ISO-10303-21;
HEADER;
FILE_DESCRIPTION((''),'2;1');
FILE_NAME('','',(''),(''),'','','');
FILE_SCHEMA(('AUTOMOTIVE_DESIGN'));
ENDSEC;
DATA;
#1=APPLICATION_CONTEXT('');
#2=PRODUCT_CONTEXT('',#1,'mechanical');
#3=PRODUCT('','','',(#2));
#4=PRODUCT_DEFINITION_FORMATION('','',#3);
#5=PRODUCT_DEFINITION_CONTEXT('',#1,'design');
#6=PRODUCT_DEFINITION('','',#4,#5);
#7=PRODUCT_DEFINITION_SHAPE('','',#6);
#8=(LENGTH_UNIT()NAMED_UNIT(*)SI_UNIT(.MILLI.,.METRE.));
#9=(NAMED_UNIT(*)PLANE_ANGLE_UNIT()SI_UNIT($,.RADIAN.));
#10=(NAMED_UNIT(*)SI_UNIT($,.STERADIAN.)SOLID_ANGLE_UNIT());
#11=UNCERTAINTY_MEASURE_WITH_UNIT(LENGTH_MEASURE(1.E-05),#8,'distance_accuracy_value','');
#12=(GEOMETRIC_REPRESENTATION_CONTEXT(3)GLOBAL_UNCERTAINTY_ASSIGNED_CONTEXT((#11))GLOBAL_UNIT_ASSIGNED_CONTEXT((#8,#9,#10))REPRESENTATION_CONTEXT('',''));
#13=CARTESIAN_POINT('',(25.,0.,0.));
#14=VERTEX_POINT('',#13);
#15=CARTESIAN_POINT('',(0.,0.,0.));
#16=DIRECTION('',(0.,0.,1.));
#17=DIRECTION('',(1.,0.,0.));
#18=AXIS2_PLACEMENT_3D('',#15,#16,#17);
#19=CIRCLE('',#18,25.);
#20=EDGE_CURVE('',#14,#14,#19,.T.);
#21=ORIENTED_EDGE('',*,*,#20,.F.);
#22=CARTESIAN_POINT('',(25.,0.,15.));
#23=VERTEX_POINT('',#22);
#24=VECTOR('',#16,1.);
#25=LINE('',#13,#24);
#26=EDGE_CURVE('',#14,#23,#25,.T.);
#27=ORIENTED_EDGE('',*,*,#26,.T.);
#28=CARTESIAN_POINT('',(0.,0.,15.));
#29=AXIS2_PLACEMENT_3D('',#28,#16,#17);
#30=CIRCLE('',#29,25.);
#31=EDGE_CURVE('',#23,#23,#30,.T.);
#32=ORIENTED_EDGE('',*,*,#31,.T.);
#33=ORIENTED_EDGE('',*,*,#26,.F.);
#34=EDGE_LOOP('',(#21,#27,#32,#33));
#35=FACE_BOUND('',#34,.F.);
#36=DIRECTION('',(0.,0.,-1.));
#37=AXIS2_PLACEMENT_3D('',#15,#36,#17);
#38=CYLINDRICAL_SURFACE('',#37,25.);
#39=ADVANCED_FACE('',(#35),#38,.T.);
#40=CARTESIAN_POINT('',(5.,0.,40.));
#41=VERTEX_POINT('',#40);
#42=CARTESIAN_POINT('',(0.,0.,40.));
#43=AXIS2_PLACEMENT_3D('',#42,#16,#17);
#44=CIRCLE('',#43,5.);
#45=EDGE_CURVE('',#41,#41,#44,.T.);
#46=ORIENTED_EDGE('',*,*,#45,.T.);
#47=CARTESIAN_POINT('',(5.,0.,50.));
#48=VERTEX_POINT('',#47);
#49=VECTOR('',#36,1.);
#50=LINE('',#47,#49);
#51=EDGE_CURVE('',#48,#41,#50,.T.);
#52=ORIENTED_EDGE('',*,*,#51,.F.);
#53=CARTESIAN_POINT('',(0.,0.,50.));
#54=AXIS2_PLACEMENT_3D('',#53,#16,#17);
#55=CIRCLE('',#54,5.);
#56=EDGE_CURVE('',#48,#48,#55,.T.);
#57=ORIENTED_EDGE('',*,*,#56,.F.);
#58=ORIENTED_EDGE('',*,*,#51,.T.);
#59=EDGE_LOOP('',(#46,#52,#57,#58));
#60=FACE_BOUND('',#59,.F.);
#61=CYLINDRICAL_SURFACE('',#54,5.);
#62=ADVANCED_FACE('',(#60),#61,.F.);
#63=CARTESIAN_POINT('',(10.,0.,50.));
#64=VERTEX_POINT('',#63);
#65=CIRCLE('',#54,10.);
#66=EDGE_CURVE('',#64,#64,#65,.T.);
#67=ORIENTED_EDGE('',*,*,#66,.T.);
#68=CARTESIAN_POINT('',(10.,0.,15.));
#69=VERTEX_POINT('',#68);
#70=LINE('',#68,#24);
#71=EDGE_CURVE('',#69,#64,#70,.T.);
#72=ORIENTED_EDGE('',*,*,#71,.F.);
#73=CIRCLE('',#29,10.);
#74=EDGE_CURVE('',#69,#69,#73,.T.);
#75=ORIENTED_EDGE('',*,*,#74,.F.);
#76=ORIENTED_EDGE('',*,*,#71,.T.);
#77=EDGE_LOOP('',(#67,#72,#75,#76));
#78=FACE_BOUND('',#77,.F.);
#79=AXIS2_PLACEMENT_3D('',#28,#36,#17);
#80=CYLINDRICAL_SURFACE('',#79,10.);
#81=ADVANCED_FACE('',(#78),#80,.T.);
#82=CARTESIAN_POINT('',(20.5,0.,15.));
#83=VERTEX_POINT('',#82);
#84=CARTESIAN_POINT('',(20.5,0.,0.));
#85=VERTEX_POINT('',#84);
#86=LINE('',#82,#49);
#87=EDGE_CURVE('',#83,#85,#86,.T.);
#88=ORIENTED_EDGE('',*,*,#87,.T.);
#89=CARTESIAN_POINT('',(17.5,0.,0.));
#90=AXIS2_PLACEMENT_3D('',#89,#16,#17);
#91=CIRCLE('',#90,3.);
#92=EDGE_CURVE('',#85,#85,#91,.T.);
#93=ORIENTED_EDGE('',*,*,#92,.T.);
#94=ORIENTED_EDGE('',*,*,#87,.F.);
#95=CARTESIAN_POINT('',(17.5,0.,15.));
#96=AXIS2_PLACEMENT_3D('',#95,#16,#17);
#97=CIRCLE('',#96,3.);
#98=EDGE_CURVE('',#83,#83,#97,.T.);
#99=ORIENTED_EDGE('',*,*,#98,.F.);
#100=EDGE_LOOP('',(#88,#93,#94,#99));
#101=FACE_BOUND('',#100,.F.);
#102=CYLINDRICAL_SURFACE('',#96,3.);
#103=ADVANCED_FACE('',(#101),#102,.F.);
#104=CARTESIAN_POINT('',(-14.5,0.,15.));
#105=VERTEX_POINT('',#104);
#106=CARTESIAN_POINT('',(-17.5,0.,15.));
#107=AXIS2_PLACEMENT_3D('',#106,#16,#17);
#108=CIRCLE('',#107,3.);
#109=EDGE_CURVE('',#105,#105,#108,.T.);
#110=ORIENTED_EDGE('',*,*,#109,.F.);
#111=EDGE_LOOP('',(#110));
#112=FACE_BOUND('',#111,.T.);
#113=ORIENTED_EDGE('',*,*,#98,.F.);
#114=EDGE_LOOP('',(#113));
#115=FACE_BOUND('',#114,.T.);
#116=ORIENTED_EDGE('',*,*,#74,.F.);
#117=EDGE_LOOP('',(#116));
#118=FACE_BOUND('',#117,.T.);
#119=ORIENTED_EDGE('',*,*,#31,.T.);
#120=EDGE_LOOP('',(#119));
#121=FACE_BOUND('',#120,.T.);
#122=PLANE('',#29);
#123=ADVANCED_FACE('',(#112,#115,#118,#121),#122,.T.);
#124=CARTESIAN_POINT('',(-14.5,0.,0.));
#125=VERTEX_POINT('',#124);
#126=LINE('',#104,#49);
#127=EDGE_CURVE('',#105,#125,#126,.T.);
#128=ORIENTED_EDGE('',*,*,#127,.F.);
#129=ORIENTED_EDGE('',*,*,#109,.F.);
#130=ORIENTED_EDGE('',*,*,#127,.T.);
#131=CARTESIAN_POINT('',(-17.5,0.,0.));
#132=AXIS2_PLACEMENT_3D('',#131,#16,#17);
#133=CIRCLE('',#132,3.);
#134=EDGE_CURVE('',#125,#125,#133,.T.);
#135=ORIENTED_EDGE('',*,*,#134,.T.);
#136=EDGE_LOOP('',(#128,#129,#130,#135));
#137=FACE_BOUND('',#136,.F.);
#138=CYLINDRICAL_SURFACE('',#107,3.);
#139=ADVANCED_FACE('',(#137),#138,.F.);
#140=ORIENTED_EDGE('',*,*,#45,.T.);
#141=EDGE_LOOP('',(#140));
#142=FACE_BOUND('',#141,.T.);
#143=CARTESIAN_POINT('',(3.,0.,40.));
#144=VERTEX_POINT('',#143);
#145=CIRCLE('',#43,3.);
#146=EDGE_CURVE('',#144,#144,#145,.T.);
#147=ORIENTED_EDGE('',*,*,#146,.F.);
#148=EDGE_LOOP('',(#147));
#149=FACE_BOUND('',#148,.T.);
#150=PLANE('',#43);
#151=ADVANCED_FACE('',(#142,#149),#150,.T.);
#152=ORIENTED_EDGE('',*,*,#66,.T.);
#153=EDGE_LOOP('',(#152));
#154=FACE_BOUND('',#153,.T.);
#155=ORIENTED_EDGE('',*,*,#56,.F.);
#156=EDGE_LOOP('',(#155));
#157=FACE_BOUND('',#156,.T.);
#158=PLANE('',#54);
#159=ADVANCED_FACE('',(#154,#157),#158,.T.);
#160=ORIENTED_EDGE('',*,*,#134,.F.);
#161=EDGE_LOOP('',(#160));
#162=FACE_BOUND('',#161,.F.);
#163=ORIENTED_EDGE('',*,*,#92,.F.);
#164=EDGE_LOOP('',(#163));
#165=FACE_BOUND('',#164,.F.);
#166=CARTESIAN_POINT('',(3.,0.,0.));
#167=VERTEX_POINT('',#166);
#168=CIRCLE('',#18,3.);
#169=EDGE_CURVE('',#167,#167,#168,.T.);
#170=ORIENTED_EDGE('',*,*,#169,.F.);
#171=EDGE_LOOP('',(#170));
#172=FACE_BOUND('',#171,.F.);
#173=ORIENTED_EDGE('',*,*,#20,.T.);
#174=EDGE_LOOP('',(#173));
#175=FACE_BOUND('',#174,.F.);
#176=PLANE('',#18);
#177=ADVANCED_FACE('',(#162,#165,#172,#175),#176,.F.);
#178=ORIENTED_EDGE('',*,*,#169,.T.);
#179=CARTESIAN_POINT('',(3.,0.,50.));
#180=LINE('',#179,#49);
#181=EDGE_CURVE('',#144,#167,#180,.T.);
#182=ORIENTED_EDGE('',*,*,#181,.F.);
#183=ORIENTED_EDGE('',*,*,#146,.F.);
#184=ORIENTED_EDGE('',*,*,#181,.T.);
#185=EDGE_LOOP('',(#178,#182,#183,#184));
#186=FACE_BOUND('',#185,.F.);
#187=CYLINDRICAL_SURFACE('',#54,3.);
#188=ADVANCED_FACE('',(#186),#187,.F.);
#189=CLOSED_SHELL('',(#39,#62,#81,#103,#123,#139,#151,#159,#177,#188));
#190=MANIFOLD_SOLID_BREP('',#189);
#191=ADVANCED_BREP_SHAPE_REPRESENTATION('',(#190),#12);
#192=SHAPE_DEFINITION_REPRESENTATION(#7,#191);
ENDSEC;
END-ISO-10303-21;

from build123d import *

# Parameters (mm, degrees)
F0_R     = 25
F1_DEPTH = 15
F2_R     = 10
F3_DEPTH = 35
F4_R     = 3
F5_DEPTH = 15
F6_R     = 3
F7_DEPTH = 50
F8_R     = 5
F9_DEPTH = 10


with BuildPart() as f1:
    # F0 (on Top) → F1 (new body)
    with BuildSketch(Plane.XY):
        Circle(F0_R)
    extrude(amount=F1_DEPTH)

    # F2 (on face) → F3 (join)
    with BuildSketch(Plane.XY.offset(15)):
        Circle(F2_R)
    extrude(amount=F3_DEPTH)

    # F4 (on face) → F5 (cut)
    with BuildSketch(Plane.XY.offset(15)):
        with Locations((-17.5, 0)):
            Circle(F4_R)
        with Locations((17.5, 0)):
            Circle(F4_R)
    extrude(amount=-F5_DEPTH, mode=Mode.SUBTRACT)

    # F6 (on face) → F7 (cut)
    with BuildSketch(Plane.XY.offset(50)):
        Circle(F6_R)
    extrude(amount=-F7_DEPTH, mode=Mode.SUBTRACT)

    # F8 (on face) → F9 (cut)
    with BuildSketch(Plane.XY.offset(50)):
        Circle(F8_R)
    extrude(amount=-F9_DEPTH, mode=Mode.SUBTRACT)


solid = f1.part
